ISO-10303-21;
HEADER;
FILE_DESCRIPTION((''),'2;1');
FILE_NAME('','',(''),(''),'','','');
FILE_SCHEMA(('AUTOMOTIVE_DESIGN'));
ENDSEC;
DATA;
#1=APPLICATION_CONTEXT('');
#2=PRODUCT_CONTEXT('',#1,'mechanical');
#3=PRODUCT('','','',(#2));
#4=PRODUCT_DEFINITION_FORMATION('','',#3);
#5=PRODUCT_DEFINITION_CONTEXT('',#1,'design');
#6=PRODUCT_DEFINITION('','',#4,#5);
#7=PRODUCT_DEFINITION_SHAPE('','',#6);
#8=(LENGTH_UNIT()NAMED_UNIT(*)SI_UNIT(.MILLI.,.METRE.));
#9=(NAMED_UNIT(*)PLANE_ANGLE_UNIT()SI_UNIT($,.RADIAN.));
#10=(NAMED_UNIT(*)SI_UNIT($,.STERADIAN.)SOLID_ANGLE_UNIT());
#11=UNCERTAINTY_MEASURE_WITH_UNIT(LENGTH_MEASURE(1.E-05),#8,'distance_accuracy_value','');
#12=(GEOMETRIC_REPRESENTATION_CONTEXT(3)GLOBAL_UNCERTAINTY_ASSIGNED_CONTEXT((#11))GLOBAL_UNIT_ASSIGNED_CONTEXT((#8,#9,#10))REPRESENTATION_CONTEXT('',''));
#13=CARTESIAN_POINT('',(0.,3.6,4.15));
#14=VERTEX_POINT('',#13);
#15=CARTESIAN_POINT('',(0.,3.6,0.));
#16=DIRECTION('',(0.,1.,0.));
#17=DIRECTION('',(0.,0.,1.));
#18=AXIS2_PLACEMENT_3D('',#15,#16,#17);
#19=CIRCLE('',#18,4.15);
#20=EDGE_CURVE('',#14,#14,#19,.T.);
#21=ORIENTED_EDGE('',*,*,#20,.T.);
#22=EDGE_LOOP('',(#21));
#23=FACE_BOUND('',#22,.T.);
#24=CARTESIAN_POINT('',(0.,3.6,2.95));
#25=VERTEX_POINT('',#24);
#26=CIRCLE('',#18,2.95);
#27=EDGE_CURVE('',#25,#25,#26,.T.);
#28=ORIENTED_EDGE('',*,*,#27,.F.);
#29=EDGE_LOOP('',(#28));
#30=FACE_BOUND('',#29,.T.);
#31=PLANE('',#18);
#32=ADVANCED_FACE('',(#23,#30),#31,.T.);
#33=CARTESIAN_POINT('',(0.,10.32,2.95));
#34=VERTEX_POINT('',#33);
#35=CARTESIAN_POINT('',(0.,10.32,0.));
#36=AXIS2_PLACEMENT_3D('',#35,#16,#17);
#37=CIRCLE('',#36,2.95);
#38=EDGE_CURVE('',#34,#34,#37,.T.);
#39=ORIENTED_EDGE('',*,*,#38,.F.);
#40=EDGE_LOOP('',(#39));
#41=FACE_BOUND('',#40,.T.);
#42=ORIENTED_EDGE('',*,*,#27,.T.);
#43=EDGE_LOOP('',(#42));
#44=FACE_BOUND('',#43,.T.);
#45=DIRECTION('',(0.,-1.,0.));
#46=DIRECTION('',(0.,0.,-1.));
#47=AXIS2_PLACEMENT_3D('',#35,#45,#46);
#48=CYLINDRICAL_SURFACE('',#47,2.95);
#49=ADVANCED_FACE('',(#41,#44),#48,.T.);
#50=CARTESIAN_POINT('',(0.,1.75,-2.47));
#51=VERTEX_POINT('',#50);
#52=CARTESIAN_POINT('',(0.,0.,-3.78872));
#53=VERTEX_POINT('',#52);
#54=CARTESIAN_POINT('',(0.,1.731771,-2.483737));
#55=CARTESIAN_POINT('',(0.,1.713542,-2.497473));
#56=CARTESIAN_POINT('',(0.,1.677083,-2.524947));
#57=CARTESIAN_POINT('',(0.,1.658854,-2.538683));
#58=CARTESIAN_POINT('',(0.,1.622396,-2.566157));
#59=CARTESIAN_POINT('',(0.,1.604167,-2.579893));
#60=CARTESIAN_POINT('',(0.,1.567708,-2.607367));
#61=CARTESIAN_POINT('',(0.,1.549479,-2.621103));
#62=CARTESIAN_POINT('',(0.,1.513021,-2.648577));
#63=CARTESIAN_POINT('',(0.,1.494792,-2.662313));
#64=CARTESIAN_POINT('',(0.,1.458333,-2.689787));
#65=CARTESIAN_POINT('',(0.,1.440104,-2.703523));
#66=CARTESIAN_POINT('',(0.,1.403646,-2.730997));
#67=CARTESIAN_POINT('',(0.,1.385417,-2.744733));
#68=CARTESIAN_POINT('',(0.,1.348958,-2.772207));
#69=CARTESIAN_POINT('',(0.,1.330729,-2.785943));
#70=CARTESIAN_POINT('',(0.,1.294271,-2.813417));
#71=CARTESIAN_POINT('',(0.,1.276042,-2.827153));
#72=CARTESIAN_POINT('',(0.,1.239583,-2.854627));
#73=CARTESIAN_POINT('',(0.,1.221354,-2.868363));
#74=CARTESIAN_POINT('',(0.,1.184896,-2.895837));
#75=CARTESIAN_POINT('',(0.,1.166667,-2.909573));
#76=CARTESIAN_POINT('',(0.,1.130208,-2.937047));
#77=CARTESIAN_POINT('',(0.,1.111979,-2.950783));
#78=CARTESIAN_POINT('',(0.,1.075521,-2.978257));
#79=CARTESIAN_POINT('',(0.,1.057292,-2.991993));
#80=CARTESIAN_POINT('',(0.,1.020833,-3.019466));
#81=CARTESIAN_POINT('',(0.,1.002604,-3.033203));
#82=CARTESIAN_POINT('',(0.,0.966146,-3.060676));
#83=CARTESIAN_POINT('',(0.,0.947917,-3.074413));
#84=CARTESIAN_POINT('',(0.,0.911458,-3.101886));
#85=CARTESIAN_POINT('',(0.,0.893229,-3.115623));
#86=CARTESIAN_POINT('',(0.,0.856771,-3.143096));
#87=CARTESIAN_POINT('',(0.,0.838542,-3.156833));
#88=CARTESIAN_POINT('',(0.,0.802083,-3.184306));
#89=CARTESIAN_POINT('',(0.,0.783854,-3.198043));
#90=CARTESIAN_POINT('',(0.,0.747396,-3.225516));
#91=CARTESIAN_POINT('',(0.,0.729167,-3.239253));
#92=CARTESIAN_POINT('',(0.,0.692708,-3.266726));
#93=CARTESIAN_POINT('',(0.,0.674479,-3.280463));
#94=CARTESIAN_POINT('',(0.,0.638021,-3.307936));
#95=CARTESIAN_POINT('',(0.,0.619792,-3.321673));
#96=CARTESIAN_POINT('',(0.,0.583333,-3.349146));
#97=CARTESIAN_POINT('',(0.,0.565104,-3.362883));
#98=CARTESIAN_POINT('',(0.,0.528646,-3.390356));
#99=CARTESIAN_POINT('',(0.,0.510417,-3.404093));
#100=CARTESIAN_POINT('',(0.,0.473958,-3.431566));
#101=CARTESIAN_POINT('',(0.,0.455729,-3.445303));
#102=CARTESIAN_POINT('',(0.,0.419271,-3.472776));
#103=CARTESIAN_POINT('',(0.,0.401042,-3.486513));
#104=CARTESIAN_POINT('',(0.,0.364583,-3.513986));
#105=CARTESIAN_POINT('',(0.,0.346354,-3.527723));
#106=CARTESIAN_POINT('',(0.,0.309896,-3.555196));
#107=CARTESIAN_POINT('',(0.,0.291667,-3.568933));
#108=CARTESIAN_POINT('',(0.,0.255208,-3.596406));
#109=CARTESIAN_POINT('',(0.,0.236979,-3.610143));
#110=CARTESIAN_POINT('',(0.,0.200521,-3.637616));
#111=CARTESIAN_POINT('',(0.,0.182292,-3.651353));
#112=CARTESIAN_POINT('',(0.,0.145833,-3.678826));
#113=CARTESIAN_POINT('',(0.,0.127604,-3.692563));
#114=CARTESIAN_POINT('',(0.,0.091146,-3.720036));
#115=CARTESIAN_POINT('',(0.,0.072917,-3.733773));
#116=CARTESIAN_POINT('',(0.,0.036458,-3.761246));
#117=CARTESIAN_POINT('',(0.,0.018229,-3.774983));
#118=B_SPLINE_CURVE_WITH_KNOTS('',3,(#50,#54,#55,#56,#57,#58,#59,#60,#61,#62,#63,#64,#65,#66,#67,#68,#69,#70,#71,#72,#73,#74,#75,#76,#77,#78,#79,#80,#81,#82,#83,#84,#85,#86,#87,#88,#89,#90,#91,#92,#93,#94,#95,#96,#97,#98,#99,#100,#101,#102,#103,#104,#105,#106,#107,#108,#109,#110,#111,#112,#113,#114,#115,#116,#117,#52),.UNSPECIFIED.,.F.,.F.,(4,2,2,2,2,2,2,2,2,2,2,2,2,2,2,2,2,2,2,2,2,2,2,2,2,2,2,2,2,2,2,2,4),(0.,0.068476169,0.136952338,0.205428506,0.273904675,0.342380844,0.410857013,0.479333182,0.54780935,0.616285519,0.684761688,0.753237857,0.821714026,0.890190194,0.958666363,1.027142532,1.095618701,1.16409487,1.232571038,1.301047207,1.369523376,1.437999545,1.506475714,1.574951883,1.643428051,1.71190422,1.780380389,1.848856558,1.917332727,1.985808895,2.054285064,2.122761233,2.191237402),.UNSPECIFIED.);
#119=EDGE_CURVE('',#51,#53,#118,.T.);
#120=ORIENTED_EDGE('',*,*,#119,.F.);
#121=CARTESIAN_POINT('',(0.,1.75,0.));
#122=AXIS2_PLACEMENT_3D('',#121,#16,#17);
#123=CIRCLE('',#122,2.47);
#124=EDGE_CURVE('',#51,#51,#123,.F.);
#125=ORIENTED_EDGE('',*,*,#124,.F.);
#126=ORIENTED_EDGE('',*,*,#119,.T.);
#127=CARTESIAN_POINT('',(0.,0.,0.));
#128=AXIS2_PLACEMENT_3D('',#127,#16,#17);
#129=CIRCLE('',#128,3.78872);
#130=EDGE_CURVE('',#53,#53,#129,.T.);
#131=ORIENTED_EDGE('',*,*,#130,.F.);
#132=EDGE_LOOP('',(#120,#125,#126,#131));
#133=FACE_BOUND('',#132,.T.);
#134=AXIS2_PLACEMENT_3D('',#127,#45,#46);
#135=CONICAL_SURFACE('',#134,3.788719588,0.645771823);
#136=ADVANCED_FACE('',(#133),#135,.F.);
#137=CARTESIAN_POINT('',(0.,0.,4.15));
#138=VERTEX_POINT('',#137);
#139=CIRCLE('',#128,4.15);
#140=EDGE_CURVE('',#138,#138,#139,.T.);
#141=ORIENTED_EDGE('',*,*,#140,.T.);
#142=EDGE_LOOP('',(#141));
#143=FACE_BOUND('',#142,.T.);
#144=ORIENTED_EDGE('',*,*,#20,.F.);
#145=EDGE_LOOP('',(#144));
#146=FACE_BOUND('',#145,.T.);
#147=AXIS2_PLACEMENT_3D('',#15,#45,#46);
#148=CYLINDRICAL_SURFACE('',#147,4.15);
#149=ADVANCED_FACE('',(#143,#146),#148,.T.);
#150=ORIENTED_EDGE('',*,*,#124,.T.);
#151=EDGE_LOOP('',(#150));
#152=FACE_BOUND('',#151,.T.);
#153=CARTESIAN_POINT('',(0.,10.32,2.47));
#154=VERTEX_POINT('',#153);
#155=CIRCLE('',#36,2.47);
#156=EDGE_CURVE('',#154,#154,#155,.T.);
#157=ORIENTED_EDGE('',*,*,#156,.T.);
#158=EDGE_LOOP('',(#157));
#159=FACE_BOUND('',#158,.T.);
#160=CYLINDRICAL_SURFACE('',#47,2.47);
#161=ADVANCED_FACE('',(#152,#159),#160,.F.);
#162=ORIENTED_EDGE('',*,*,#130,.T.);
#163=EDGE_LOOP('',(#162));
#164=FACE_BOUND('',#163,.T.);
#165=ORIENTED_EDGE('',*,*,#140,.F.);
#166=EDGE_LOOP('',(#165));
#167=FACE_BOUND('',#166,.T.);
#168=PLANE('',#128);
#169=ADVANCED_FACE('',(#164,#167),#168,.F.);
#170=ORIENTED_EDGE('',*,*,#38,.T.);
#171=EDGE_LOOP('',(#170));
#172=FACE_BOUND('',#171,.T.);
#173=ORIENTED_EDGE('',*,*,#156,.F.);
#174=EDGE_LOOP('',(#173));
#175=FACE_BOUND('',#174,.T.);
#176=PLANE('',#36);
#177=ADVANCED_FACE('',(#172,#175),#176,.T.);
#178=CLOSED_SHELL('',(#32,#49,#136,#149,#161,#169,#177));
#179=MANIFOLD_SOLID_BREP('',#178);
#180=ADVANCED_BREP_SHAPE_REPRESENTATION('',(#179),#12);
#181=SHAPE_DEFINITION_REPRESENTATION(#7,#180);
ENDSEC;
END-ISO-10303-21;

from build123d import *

# Parameters (mm, degrees)
SKETCH1_R           = 4.15
SKETCH1_R_2         = 2.95
BOSS_EXTRUDE1_DEPTH = 3.6
SKETCH1_3_R         = 2.95
SKETCH1_3_R_2       = 2.47
BOSS_EXTRUDE2_DEPTH = 10.32
CHAMFER1_SIZE       = 1.75
CHAMFER1_SIZE2      = 1.318719588


with BuildPart() as part:
    # Sketch1 → Boss-Extrude1 (new body)
    with BuildSketch(Plane(origin=(0, 0, 0), x_dir=(1, 0, 0), z_dir=(0, 1, 0))):
        Circle(SKETCH1_R)
        Circle(SKETCH1_R_2, mode=Mode.SUBTRACT)
    extrude(amount=BOSS_EXTRUDE1_DEPTH)

    # Sketch1<3> → Boss-Extrude2 (add)
    with BuildSketch(Plane(origin=(0, 0, 0), x_dir=(1, 0, 0), z_dir=(0, 1, 0))):
        Circle(SKETCH1_3_R)
        Circle(SKETCH1_3_R_2, mode=Mode.SUBTRACT)
    extrude(amount=BOSS_EXTRUDE2_DEPTH)

    # Chamfer1
    chamfer1_edges = [part.edges().sort_by_distance(p)[0] for p in [
        (-2.47, 0, 0),
    ]]
    chamfer1_side = [part.faces().sort_by_distance(p)[0] for p in [
        (-2.47, 5.16, 0),
    ]]
    chamfer(chamfer1_edges, length=CHAMFER1_SIZE, length2=CHAMFER1_SIZE2, reference=chamfer1_side[0])


solid = part.part
